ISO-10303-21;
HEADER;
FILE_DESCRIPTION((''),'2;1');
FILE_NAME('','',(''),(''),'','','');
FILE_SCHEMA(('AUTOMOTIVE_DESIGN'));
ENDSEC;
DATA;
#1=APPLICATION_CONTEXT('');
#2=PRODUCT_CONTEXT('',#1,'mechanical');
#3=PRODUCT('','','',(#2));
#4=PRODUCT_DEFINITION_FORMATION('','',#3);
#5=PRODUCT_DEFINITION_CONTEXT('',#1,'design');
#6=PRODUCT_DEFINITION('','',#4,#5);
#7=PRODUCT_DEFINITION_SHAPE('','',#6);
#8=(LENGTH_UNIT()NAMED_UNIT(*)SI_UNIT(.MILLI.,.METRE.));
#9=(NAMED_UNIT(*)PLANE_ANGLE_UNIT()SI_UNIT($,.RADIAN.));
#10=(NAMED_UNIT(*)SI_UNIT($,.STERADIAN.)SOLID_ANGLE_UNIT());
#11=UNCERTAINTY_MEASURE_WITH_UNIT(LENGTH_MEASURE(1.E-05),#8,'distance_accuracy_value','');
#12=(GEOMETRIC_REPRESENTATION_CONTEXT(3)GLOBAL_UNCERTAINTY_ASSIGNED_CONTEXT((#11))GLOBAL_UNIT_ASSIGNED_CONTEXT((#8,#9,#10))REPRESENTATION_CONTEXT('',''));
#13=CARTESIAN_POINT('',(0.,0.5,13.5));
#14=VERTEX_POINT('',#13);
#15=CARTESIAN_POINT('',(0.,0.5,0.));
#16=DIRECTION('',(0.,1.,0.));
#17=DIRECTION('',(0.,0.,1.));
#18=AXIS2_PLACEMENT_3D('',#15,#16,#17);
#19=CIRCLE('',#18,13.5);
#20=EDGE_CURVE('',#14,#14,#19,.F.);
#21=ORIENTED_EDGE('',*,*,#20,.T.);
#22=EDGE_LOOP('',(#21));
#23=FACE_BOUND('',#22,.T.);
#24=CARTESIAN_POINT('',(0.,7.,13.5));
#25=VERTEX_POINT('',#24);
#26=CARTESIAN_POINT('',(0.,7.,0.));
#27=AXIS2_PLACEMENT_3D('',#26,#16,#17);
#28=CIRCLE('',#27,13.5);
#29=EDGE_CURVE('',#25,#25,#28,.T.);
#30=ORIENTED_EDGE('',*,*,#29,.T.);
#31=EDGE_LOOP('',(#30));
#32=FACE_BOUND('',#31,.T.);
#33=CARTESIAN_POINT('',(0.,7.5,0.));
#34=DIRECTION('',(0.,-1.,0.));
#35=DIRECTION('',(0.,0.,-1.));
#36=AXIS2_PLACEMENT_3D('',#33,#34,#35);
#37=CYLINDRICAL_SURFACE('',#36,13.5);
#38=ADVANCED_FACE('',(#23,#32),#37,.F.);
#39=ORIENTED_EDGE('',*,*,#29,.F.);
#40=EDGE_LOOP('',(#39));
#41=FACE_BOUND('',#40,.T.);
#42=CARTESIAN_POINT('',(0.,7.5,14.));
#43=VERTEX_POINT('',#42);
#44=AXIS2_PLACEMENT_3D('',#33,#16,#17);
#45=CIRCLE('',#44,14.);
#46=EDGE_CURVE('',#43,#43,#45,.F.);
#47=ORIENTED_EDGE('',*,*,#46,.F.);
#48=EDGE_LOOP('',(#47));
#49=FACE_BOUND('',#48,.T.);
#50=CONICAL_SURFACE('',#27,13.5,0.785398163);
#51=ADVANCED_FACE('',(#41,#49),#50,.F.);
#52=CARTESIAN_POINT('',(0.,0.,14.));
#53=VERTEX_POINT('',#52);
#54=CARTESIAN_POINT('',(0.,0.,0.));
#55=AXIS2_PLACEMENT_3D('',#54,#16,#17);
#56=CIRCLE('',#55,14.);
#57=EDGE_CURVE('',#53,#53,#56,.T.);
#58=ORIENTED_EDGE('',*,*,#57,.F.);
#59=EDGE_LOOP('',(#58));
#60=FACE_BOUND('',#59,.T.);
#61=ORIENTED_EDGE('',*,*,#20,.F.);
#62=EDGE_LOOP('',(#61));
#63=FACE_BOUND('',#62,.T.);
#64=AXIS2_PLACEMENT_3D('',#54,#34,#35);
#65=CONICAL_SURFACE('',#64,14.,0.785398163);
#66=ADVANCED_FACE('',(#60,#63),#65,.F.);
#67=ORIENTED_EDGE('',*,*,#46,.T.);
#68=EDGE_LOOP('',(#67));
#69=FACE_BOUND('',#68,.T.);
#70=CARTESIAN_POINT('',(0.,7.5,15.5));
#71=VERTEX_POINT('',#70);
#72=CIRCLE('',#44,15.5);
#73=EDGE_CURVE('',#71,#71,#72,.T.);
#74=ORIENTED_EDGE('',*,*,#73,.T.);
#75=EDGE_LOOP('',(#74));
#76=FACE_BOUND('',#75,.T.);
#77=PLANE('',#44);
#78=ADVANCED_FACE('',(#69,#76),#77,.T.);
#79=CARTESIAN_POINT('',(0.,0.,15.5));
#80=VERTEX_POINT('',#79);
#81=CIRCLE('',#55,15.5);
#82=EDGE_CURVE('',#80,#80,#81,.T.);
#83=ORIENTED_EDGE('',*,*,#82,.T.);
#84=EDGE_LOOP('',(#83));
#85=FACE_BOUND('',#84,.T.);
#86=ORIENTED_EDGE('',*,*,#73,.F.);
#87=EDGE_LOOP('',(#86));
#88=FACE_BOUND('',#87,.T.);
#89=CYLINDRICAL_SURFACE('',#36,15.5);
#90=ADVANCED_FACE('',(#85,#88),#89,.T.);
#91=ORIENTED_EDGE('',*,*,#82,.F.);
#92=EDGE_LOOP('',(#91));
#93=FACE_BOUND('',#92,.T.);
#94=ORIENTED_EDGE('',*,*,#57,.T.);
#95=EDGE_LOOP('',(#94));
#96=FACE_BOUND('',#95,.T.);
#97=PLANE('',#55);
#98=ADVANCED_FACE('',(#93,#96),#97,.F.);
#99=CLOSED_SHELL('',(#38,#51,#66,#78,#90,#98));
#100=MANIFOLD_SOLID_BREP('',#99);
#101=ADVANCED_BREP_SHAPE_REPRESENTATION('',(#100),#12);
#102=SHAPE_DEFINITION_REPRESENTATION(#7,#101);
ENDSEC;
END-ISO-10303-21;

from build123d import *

# Parameters (mm, degrees)
SKETCH_1_R      = 15.5
SKETCH_1_R_2    = 13.5
EXTRUDE_1_DEPTH = 7.5
CHAMFER_1_SIZE  = 0.5


with BuildPart() as part:
    # 草图1 → 凸台-拉伸1 (new body)
    with BuildSketch(Plane(origin=(0, 0, 0), x_dir=(1, 0, 0), z_dir=(0, 1, 0))):
        with Locations(Location((0, 0, 0), (0, 0, 270))):
            Circle(SKETCH_1_R)
        with Locations(Location((0, 0, 0), (0, 0, 270))):
            Circle(SKETCH_1_R_2, mode=Mode.SUBTRACT)
    extrude(amount=EXTRUDE_1_DEPTH)

    # 倒角1
    chamfer_1_edges = [part.edges().sort_by_distance(p)[0] for p in [
        (0, 0, -13.5),
        (0, 7.5, -13.5),
    ]]
    chamfer(chamfer_1_edges, length=CHAMFER_1_SIZE)


solid = part.part
